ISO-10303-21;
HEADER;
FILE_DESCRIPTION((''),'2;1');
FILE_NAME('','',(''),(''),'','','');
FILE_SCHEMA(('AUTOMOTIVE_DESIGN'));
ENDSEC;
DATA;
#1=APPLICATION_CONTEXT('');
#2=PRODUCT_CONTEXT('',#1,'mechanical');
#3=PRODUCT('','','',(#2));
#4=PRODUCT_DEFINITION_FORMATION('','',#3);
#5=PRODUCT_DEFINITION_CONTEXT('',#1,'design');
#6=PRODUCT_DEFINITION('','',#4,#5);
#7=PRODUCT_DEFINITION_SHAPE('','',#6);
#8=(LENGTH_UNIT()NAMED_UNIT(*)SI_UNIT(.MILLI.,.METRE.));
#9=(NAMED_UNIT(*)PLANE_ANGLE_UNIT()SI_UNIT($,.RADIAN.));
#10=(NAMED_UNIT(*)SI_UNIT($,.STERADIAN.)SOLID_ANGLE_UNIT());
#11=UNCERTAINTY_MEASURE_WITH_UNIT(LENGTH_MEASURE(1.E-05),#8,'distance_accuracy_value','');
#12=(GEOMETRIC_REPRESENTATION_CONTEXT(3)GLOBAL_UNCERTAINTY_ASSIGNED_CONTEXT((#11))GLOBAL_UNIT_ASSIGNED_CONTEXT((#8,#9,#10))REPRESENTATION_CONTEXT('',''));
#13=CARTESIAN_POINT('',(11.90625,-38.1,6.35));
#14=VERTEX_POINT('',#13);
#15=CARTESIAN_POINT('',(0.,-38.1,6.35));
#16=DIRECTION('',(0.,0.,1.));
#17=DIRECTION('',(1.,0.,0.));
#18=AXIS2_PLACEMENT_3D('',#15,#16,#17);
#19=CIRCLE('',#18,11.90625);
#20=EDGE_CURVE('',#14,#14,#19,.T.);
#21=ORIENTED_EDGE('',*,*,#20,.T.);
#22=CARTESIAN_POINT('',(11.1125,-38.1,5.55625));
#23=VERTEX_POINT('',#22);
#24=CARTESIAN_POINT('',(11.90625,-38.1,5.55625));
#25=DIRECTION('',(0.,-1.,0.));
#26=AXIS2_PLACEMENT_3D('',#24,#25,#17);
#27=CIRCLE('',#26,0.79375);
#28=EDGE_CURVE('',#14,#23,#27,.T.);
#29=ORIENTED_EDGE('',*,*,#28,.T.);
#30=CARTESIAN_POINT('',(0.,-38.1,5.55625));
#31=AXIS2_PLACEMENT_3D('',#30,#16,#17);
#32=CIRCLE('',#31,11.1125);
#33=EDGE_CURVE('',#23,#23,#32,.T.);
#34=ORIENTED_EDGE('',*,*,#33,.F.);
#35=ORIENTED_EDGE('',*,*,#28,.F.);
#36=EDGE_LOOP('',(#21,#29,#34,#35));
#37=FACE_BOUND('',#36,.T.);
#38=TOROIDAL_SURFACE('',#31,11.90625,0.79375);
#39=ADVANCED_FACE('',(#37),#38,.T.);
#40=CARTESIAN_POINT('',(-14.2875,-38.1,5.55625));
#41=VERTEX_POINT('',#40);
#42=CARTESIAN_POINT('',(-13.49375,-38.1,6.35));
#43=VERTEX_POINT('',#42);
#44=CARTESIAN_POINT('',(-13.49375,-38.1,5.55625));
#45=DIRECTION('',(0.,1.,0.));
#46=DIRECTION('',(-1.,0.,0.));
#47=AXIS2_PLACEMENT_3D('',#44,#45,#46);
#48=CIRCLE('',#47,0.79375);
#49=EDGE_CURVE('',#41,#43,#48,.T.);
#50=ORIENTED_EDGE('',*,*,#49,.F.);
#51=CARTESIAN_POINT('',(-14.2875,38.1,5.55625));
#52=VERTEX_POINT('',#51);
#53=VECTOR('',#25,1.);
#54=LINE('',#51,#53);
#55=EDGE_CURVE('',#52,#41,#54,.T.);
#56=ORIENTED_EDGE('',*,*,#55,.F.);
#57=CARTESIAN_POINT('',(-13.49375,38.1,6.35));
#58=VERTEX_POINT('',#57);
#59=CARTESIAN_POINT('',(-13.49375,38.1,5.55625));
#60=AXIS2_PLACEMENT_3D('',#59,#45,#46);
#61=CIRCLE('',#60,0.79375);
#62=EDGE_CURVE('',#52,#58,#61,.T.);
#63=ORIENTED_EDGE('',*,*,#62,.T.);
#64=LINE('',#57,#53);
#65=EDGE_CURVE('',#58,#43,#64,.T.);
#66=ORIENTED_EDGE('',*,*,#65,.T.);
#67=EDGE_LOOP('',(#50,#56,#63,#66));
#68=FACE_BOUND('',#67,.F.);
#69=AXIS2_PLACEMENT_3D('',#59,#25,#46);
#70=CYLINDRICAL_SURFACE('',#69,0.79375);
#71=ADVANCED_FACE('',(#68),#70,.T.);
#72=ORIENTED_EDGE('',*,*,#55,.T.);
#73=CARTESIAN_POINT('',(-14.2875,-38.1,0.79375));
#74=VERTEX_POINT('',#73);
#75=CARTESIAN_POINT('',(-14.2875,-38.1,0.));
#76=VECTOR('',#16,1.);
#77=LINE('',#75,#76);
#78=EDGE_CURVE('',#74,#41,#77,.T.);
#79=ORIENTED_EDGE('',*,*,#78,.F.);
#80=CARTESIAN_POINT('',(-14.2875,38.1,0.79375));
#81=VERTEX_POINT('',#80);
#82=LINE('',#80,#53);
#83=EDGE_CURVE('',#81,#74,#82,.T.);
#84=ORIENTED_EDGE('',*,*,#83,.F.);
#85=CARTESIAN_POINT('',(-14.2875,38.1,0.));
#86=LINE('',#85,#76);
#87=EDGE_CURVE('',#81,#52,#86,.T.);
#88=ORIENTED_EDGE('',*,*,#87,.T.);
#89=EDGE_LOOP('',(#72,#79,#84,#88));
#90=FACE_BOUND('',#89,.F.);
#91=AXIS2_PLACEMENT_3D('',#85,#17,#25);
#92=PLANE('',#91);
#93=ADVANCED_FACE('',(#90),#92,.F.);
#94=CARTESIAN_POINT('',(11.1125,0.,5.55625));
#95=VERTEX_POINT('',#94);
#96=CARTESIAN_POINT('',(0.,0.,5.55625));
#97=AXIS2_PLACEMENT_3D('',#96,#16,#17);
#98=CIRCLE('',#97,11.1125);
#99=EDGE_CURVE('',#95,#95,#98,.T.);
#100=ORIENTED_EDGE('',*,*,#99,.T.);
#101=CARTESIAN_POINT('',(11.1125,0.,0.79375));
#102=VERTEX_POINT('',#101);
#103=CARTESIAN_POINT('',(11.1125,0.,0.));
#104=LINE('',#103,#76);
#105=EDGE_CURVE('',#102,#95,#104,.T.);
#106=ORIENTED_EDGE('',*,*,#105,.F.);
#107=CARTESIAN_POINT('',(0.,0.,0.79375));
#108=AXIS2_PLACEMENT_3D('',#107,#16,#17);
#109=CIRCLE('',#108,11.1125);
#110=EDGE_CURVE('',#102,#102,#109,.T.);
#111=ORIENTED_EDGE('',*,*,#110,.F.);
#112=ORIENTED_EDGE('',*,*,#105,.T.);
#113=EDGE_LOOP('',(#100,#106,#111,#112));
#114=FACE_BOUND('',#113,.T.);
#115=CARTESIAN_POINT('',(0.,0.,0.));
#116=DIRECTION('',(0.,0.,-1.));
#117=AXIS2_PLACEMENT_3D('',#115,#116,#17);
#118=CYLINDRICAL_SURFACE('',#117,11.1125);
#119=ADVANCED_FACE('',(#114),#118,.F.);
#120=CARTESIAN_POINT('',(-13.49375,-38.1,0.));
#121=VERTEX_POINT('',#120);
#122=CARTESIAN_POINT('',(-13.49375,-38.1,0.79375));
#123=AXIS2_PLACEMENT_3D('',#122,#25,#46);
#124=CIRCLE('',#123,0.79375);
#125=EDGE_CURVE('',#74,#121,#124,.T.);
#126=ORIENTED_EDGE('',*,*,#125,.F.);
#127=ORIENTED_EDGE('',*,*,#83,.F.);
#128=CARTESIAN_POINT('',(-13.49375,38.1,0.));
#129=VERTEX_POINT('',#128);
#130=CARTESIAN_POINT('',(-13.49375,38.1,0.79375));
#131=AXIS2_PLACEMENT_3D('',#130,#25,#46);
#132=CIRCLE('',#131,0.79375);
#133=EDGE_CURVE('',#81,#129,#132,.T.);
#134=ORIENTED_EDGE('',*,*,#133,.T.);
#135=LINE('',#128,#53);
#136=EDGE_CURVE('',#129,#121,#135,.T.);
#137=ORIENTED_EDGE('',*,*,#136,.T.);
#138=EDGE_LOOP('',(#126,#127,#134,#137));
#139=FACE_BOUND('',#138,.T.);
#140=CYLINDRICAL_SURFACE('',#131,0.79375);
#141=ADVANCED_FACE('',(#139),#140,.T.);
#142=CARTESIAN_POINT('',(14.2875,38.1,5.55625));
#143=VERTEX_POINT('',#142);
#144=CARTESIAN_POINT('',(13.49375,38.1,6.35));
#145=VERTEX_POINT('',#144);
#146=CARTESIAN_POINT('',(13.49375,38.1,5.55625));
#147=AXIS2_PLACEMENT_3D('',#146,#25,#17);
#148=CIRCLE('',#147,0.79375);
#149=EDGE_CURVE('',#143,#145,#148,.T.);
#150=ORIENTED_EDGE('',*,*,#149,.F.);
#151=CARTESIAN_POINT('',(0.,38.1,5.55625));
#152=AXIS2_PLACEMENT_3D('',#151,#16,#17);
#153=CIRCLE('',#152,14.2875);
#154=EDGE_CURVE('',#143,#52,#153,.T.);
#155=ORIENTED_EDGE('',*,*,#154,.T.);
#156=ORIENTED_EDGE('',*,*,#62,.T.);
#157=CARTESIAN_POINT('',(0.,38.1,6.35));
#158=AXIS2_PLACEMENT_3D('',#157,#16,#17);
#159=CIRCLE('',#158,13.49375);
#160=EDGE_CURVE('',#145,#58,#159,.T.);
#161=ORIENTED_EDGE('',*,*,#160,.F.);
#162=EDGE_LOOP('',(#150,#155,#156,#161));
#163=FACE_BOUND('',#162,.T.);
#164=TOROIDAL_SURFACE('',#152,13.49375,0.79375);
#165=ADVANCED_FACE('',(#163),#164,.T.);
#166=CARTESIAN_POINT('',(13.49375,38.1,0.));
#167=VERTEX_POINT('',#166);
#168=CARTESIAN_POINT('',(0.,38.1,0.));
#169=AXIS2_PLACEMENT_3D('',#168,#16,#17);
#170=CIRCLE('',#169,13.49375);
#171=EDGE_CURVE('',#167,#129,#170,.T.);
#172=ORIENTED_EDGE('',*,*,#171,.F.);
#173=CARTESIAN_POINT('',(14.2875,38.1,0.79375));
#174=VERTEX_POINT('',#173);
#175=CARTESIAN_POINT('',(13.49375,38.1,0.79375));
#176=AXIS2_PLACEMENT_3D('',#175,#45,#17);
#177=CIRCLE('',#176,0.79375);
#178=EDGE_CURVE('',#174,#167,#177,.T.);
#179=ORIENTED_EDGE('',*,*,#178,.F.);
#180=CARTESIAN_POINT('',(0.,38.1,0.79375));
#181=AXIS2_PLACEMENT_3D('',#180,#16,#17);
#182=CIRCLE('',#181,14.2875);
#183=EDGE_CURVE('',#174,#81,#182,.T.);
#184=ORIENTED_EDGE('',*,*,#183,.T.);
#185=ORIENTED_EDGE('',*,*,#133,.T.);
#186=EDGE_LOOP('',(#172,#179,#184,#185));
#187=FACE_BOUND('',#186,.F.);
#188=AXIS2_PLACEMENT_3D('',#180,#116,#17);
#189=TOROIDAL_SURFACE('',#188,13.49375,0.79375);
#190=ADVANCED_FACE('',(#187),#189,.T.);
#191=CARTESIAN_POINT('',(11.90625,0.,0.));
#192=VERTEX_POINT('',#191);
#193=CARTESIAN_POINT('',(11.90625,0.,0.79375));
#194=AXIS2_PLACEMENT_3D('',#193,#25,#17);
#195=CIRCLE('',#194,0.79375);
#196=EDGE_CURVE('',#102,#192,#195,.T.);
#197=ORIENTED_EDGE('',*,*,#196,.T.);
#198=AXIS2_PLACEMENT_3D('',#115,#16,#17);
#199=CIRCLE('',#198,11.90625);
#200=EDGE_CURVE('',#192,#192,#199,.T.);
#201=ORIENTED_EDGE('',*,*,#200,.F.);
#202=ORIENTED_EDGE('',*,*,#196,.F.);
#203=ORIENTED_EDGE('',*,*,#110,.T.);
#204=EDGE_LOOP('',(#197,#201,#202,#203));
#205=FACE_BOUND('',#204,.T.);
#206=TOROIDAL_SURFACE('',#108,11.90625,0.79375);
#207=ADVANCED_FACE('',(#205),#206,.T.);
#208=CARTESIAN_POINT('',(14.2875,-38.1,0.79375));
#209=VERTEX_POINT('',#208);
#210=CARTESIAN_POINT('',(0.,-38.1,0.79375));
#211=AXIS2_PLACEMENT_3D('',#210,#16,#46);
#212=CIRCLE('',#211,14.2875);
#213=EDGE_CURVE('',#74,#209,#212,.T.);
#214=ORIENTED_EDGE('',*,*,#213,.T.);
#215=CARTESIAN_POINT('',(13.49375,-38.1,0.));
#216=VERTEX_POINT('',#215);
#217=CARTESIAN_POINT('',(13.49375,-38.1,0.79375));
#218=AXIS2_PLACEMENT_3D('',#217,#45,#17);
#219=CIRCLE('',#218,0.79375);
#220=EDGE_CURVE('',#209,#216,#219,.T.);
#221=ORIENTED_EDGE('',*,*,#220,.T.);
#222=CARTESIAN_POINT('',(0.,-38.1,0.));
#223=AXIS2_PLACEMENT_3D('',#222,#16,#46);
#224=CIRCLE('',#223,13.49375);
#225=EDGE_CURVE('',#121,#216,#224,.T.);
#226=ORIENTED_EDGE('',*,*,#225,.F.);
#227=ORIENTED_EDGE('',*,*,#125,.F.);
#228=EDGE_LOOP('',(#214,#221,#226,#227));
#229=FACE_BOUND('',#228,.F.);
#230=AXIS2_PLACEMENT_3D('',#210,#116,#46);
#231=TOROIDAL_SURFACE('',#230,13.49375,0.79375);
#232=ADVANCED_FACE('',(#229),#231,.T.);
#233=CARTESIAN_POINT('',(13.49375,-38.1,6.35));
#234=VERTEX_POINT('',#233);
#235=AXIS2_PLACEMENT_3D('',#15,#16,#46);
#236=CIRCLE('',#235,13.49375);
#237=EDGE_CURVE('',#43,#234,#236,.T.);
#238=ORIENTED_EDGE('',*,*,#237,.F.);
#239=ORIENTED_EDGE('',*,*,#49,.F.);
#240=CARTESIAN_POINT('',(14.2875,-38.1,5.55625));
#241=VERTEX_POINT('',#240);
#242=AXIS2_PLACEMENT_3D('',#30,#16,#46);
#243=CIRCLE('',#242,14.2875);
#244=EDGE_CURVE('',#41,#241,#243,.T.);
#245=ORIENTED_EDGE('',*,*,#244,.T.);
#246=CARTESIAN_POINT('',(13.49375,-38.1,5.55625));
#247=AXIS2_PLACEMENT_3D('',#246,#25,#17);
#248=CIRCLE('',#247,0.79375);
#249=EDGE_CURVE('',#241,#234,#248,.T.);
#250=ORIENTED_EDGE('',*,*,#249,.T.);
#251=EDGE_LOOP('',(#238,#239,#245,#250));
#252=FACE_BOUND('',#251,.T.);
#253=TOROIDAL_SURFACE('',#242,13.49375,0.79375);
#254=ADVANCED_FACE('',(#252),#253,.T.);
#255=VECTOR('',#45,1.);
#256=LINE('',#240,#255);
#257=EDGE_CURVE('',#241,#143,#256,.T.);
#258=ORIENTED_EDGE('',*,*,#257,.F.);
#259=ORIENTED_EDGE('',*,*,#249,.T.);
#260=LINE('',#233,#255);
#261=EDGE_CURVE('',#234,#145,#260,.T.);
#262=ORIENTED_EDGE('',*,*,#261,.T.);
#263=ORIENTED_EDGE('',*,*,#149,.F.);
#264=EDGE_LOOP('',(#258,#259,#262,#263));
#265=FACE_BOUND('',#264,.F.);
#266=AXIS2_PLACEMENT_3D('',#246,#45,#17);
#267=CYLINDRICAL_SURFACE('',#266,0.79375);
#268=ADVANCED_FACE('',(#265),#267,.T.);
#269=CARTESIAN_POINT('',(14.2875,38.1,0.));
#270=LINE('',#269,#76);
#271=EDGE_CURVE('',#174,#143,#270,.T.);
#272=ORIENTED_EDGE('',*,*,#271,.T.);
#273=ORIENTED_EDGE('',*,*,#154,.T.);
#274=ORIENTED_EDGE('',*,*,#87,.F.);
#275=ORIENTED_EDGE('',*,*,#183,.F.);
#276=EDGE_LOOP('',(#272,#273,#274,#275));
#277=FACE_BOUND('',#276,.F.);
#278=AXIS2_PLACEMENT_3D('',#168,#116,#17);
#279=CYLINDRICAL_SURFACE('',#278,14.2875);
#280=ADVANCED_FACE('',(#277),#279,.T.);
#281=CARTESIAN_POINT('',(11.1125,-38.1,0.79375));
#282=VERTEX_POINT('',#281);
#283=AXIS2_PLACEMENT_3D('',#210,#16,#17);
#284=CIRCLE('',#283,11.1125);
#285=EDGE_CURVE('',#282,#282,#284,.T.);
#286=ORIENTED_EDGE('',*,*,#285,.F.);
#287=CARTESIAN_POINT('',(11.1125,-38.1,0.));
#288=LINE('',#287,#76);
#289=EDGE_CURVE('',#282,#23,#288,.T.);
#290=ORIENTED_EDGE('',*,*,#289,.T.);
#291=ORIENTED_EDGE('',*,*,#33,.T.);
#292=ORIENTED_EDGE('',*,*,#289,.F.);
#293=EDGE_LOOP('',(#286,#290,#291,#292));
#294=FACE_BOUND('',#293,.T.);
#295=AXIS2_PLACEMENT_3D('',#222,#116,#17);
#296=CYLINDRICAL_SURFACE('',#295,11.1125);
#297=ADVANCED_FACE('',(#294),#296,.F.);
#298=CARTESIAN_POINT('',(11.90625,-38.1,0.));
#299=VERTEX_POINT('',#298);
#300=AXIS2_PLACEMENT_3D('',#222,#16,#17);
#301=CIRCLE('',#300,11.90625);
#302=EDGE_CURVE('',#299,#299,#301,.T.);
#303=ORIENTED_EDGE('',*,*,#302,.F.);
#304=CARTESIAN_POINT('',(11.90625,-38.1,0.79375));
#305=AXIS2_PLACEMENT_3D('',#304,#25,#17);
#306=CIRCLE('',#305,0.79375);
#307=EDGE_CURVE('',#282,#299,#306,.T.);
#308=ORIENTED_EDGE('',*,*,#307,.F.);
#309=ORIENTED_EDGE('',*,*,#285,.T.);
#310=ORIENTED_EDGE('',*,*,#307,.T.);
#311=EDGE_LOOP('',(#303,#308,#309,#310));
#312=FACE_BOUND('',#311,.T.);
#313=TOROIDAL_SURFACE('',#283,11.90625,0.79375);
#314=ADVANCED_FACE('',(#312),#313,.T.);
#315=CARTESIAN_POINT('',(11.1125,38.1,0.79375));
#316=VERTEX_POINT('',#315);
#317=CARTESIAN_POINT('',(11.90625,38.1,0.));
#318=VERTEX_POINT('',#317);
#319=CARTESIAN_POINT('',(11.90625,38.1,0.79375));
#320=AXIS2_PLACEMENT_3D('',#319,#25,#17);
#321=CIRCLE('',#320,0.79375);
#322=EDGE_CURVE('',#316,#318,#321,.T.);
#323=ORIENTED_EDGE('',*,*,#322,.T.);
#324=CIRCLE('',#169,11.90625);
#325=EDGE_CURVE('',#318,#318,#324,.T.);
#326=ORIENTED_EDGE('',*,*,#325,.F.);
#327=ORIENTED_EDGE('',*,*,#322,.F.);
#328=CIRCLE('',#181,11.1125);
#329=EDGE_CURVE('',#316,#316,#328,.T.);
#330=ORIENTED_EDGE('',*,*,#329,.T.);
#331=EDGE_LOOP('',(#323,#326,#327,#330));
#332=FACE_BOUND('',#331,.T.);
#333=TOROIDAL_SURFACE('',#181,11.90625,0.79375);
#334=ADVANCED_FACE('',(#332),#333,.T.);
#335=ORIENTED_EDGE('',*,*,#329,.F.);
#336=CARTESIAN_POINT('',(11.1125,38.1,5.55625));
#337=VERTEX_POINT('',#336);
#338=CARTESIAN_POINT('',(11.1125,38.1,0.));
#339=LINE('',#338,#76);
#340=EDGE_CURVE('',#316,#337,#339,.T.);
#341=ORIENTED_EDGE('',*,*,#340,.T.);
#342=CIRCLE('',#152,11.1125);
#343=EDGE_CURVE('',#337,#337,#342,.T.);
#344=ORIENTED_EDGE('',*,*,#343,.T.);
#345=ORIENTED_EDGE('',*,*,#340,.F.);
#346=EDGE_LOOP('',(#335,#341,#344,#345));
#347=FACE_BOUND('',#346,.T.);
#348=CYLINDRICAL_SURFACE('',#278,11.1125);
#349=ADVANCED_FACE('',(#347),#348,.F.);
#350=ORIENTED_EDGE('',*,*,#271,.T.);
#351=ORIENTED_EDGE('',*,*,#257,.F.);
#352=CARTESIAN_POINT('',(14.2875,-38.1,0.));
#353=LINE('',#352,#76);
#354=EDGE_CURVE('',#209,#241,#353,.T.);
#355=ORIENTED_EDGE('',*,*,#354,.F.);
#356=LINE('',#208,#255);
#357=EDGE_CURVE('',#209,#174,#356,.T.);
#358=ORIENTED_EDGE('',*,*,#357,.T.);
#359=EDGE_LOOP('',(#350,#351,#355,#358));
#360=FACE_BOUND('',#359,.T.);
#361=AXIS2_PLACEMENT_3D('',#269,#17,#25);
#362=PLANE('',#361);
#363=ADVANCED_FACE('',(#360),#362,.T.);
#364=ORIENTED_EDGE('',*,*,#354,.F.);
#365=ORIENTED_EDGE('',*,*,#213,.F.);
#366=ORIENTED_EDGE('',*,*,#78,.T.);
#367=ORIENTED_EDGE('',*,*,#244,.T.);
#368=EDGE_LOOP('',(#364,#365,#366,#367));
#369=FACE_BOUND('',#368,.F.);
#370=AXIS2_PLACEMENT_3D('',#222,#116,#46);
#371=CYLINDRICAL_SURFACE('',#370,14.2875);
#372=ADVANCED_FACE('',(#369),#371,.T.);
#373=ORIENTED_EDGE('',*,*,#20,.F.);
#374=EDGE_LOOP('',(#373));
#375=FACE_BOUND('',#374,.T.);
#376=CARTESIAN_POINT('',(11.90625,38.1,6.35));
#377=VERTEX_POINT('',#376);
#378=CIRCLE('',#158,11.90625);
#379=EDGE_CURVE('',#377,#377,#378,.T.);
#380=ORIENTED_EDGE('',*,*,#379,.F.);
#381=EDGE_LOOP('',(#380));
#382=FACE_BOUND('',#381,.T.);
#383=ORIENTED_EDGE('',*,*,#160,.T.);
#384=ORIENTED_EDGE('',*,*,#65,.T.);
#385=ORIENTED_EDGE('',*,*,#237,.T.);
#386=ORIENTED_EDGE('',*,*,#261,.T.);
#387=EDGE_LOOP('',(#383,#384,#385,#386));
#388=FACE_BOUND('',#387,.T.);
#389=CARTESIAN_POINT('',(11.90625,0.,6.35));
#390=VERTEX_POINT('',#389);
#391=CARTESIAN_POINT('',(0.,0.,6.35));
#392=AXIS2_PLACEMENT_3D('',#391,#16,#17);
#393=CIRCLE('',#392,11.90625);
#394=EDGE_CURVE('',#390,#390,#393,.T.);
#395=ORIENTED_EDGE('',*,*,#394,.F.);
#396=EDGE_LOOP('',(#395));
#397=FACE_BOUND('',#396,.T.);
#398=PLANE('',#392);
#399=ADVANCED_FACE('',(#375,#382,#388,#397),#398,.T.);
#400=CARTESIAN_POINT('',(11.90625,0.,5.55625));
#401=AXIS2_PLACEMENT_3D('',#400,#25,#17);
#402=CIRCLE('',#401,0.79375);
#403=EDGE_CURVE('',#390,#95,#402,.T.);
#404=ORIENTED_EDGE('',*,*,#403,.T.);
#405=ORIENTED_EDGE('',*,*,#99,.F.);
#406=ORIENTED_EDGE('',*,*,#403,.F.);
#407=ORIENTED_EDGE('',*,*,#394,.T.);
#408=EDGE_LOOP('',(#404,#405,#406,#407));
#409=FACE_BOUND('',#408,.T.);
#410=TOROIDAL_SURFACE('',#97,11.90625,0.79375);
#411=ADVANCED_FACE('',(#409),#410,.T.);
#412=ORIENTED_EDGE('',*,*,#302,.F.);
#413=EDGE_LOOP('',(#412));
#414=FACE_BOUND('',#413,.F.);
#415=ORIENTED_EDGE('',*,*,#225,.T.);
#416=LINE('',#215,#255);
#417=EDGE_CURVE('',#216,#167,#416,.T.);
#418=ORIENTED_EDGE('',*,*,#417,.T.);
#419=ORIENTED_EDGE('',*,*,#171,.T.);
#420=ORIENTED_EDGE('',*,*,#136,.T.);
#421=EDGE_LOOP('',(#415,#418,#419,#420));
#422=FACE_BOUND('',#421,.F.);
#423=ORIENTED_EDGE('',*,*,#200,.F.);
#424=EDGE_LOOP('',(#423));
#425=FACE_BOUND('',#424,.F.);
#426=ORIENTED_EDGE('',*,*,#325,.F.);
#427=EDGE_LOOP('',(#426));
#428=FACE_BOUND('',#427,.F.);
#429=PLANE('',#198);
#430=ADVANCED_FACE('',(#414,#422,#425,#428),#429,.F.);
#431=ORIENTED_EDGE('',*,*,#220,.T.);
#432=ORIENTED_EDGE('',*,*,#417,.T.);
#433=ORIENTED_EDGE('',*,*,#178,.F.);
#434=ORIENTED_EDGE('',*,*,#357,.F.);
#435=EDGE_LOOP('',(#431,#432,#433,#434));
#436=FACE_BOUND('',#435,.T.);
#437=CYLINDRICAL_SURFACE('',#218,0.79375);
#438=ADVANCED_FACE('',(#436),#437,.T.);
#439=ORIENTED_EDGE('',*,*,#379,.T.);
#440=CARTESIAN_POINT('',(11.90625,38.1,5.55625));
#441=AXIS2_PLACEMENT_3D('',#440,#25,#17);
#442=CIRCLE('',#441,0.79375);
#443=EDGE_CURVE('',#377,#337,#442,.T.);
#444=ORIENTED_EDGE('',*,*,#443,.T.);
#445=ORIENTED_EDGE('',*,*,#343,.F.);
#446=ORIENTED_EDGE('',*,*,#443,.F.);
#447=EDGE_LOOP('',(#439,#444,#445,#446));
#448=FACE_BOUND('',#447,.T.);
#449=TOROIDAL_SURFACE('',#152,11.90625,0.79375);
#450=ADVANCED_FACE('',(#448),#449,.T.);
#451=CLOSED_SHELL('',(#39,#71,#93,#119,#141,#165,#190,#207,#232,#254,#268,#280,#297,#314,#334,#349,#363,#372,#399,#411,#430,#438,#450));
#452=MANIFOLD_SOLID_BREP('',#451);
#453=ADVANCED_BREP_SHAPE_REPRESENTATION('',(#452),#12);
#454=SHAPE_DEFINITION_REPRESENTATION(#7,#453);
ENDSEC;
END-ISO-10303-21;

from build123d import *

# Parameters (mm, degrees)
SKETCH002_R  = 11.1125
PAD002_DEPTH = 6.35
FILLET004_R  = 0.79375
FILLET005_R  = 0.79375


with BuildPart() as part:
    # Sketch002 → Pad002 (new body)
    with BuildSketch(Plane.XY):
        with BuildLine():
            ThreePointArc((14.2875, 38.1), (0, 52.3875), (-14.2875, 38.1))
            Line((-14.2875, 38.1), (-14.2875, -38.1))
            ThreePointArc((-14.2875, -38.1), (0, -52.3875), (14.2875, -38.1))
            Line((14.2875, 38.1), (14.2875, -38.1))
        make_face()
        with Locations((0, 38.1)):
            Circle(SKETCH002_R, mode=Mode.SUBTRACT)
        with Locations((0, -38.1)):
            Circle(SKETCH002_R, mode=Mode.SUBTRACT)
        Circle(SKETCH002_R, mode=Mode.SUBTRACT)
    extrude(amount=PAD002_DEPTH)

    # Fillet004
    fillet004_edges = [part.edges().sort_by_distance(p)[0] for p in [
        (0, 52.3875, 0),
        (-14.2875, 0, 0),
        (0, -52.3875, 0),
        (14.2875, 0, 0),
        (-11.1125, 0, 0),
        (-11.1125, -38.1, 0),
        (-11.1125, 38.1, 0),
    ]]
    fillet(fillet004_edges, radius=FILLET004_R)

    # Fillet005
    fillet005_edges = [part.edges().sort_by_distance(p)[0] for p in [
        (0, 52.3875, 6.35),
        (-14.2875, 0, 6.35),
        (0, -52.3875, 6.35),
        (14.2875, 0, 6.35),
        (-11.1125, 0, 6.35),
        (-11.1125, -38.1, 6.35),
        (-11.1125, 38.1, 6.35),
    ]]
    fillet(fillet005_edges, radius=FILLET005_R)


solid = part.part
